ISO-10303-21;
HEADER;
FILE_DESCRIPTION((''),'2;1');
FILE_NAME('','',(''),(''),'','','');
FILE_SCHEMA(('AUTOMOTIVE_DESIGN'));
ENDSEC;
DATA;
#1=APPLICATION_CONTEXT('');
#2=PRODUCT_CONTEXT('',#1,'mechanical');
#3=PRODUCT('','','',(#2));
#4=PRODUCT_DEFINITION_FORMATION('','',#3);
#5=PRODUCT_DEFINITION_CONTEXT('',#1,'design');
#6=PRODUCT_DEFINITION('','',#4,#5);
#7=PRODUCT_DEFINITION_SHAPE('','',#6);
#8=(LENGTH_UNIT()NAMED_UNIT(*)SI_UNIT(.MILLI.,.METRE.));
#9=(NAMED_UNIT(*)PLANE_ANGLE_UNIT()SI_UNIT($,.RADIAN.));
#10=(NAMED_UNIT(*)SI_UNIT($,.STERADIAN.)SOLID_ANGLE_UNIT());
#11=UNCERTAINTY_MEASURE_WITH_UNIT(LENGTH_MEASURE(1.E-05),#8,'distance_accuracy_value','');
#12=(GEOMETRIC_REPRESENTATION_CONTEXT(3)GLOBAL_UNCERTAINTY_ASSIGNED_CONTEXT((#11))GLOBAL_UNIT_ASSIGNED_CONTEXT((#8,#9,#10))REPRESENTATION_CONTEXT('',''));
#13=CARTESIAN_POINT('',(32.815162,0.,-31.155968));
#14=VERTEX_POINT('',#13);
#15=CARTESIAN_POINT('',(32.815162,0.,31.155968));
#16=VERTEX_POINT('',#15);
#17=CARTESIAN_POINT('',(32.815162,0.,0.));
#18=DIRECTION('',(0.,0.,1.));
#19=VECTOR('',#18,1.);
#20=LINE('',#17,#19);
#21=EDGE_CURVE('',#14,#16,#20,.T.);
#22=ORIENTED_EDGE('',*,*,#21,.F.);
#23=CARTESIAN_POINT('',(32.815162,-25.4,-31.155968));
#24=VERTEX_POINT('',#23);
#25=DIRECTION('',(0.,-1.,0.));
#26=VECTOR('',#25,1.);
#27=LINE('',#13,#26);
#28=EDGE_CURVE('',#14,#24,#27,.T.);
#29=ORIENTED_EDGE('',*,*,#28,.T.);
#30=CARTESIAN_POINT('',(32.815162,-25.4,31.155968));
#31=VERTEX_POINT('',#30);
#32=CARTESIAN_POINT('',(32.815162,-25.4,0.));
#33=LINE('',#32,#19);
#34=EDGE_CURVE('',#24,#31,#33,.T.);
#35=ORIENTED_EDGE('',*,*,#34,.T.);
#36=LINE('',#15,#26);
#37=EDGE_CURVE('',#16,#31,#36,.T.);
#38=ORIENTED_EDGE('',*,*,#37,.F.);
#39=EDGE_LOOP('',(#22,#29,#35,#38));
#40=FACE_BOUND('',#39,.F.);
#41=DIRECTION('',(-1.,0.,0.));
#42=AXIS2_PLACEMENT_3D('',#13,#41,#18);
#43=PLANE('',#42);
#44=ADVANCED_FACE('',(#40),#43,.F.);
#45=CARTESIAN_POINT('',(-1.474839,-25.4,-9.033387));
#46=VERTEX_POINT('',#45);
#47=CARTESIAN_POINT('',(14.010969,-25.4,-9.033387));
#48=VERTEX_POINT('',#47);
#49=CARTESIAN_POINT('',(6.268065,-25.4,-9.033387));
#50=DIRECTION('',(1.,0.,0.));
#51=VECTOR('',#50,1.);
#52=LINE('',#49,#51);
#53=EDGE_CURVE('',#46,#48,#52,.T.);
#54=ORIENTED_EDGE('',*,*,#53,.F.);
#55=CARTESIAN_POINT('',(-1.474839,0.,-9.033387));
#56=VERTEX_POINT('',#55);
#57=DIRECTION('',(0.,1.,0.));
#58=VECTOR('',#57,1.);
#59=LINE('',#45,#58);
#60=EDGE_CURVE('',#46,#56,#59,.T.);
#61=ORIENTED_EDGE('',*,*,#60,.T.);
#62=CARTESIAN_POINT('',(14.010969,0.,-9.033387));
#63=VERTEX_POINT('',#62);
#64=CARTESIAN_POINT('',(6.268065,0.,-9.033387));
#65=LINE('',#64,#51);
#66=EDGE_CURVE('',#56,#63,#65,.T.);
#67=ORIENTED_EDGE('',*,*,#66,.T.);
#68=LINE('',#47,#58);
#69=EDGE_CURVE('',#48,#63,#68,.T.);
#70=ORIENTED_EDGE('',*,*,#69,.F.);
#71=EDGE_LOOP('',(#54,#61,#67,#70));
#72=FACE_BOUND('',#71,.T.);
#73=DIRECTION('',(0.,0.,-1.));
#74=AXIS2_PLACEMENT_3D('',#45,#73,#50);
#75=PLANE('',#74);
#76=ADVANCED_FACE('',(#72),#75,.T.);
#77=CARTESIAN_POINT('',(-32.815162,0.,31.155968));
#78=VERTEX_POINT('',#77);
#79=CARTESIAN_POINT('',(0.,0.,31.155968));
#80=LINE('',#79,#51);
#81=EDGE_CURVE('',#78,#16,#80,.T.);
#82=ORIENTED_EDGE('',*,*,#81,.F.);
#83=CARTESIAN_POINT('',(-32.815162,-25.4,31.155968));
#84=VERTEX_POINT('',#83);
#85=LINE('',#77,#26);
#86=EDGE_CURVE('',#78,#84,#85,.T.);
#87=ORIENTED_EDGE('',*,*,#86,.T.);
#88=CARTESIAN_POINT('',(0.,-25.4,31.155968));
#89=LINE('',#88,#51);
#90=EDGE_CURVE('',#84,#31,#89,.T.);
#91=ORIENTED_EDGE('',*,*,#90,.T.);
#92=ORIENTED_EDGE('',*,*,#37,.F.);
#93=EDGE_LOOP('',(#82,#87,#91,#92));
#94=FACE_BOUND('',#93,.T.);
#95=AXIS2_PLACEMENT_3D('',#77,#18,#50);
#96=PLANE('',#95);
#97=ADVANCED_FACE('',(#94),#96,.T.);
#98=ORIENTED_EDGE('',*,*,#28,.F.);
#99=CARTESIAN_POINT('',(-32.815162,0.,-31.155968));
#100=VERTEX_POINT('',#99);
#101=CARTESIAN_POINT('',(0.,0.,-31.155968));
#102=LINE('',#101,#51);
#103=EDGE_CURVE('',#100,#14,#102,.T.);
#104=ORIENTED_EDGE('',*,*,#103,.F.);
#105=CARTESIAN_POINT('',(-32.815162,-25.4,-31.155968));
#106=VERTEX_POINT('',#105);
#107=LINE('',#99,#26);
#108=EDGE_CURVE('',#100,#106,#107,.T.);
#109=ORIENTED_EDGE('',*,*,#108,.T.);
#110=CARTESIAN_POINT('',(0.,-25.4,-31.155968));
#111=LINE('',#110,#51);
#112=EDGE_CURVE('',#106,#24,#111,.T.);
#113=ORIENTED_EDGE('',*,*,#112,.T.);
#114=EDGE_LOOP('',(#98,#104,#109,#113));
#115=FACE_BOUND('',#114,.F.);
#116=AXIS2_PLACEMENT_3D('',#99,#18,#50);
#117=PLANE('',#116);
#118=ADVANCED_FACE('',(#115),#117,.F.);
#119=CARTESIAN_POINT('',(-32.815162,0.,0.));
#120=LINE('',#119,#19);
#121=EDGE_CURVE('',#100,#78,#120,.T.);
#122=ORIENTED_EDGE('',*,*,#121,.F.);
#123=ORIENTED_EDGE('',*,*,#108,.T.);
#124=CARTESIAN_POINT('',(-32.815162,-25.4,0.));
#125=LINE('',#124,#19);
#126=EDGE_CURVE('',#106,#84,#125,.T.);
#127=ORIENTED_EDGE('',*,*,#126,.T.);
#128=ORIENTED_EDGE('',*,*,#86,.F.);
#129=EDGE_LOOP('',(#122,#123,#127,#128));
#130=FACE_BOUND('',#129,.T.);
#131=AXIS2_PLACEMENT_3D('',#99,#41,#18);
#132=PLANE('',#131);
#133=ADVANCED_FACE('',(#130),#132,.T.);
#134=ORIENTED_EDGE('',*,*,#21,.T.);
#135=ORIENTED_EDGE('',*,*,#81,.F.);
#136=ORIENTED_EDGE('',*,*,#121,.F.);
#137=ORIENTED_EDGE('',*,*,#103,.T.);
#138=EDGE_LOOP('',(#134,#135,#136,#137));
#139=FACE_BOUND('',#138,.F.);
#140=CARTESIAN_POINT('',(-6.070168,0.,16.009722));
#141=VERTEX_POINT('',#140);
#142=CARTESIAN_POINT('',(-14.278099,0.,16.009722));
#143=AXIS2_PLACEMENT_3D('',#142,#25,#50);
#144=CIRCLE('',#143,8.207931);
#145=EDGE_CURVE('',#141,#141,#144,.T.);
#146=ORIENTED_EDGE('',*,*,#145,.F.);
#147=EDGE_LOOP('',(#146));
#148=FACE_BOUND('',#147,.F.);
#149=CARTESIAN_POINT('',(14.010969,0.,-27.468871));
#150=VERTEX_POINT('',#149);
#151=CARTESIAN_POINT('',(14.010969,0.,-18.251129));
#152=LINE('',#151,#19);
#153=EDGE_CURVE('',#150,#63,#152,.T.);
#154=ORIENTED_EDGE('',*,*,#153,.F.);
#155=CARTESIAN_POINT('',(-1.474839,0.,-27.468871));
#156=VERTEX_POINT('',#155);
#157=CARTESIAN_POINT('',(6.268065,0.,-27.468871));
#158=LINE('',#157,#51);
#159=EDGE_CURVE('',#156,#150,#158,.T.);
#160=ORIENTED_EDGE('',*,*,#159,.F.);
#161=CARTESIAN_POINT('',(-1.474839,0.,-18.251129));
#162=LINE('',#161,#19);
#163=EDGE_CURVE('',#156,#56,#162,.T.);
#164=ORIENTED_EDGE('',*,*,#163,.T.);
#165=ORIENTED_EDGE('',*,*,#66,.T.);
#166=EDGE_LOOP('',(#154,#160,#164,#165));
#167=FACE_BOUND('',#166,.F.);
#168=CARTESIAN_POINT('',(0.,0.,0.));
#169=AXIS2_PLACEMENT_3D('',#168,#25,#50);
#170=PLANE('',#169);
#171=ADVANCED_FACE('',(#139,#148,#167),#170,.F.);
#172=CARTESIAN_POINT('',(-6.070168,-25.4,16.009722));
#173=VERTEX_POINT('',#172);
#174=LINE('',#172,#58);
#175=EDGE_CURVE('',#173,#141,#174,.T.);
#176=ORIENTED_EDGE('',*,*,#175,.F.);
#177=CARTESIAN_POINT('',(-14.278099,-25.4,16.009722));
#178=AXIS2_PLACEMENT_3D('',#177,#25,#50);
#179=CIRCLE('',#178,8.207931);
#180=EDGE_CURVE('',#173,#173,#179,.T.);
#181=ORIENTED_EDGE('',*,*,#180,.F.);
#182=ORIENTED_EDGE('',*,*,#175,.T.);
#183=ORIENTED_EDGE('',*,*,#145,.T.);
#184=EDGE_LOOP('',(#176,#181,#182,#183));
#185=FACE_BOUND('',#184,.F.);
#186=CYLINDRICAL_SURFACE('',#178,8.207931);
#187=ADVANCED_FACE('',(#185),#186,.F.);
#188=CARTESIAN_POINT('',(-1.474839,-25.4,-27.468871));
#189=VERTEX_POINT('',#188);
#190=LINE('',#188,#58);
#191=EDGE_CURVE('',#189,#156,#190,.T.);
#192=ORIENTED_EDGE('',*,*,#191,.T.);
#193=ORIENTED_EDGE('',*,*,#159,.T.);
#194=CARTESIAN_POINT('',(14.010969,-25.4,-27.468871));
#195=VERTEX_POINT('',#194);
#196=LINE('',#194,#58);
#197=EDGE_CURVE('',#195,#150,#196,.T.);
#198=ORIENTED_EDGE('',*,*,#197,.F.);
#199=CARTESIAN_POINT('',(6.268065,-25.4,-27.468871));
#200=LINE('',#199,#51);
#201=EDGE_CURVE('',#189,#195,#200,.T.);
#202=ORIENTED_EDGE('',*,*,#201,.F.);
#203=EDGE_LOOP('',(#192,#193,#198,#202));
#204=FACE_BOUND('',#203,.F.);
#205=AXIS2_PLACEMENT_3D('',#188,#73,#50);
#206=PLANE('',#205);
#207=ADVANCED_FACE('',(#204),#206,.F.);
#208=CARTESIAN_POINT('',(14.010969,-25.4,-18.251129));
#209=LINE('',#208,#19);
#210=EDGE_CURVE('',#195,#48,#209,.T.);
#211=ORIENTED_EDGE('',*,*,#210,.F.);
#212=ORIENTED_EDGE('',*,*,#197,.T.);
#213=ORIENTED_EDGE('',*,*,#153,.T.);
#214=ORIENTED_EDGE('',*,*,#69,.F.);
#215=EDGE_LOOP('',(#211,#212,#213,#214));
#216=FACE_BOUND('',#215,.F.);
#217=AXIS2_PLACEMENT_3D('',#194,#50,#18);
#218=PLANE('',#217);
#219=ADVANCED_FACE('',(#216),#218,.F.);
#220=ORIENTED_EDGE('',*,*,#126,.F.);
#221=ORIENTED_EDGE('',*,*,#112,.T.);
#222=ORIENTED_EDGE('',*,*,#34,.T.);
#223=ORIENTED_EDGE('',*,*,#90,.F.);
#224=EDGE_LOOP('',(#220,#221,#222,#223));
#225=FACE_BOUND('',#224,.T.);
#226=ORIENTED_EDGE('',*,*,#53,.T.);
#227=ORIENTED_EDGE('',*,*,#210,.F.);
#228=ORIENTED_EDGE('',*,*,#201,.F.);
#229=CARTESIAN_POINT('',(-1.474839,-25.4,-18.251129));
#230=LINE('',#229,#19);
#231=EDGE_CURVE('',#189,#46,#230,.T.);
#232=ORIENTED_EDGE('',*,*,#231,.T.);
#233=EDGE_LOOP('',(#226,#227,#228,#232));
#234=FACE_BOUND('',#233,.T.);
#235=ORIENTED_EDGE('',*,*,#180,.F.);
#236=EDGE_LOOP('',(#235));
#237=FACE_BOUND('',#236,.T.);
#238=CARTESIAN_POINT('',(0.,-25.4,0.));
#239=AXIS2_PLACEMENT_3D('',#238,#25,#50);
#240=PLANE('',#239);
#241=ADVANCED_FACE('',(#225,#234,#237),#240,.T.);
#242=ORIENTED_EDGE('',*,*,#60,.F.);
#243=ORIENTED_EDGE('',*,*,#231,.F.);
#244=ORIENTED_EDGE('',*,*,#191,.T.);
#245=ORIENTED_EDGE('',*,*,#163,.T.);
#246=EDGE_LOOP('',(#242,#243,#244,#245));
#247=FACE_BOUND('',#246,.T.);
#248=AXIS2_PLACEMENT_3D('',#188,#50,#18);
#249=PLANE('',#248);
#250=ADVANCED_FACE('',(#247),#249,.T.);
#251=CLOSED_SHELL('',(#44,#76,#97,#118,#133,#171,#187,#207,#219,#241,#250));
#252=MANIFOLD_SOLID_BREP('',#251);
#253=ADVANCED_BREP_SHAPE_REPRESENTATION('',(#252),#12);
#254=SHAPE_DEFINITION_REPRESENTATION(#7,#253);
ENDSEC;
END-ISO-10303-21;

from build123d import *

# Parameters (mm, degrees)
F0_W     = 65.630324
F0_H     = 62.311936
F1_DEPTH = 25.4
F2_R     = 8.207931
F3_DEPTH = 25.401
F4_W     = 15.485808
F4_H     = 18.435483
F5_DEPTH = 25.4


with BuildPart() as f1:
    # F0 (on Front) → F1 (new body)
    with BuildSketch(Plane.XZ):
        Rectangle(F0_W, F0_H)
    extrude(amount=F1_DEPTH)

    # F2 (on face) → F3 (cut, through all)
    with BuildSketch(Plane.XZ.offset(25.4)):
        with Locations((-14.278099, 16.009722)):
            Circle(F2_R)
    extrude(amount=-F3_DEPTH, mode=Mode.SUBTRACT)

    # F4 (on face) → F5 (cut)
    with BuildSketch(Plane.XZ.offset(25.4)):
        with Locations((6.268065, -18.251129)):
            Rectangle(F4_W, F4_H)
    extrude(amount=-F5_DEPTH, mode=Mode.SUBTRACT)


solid = f1.part
